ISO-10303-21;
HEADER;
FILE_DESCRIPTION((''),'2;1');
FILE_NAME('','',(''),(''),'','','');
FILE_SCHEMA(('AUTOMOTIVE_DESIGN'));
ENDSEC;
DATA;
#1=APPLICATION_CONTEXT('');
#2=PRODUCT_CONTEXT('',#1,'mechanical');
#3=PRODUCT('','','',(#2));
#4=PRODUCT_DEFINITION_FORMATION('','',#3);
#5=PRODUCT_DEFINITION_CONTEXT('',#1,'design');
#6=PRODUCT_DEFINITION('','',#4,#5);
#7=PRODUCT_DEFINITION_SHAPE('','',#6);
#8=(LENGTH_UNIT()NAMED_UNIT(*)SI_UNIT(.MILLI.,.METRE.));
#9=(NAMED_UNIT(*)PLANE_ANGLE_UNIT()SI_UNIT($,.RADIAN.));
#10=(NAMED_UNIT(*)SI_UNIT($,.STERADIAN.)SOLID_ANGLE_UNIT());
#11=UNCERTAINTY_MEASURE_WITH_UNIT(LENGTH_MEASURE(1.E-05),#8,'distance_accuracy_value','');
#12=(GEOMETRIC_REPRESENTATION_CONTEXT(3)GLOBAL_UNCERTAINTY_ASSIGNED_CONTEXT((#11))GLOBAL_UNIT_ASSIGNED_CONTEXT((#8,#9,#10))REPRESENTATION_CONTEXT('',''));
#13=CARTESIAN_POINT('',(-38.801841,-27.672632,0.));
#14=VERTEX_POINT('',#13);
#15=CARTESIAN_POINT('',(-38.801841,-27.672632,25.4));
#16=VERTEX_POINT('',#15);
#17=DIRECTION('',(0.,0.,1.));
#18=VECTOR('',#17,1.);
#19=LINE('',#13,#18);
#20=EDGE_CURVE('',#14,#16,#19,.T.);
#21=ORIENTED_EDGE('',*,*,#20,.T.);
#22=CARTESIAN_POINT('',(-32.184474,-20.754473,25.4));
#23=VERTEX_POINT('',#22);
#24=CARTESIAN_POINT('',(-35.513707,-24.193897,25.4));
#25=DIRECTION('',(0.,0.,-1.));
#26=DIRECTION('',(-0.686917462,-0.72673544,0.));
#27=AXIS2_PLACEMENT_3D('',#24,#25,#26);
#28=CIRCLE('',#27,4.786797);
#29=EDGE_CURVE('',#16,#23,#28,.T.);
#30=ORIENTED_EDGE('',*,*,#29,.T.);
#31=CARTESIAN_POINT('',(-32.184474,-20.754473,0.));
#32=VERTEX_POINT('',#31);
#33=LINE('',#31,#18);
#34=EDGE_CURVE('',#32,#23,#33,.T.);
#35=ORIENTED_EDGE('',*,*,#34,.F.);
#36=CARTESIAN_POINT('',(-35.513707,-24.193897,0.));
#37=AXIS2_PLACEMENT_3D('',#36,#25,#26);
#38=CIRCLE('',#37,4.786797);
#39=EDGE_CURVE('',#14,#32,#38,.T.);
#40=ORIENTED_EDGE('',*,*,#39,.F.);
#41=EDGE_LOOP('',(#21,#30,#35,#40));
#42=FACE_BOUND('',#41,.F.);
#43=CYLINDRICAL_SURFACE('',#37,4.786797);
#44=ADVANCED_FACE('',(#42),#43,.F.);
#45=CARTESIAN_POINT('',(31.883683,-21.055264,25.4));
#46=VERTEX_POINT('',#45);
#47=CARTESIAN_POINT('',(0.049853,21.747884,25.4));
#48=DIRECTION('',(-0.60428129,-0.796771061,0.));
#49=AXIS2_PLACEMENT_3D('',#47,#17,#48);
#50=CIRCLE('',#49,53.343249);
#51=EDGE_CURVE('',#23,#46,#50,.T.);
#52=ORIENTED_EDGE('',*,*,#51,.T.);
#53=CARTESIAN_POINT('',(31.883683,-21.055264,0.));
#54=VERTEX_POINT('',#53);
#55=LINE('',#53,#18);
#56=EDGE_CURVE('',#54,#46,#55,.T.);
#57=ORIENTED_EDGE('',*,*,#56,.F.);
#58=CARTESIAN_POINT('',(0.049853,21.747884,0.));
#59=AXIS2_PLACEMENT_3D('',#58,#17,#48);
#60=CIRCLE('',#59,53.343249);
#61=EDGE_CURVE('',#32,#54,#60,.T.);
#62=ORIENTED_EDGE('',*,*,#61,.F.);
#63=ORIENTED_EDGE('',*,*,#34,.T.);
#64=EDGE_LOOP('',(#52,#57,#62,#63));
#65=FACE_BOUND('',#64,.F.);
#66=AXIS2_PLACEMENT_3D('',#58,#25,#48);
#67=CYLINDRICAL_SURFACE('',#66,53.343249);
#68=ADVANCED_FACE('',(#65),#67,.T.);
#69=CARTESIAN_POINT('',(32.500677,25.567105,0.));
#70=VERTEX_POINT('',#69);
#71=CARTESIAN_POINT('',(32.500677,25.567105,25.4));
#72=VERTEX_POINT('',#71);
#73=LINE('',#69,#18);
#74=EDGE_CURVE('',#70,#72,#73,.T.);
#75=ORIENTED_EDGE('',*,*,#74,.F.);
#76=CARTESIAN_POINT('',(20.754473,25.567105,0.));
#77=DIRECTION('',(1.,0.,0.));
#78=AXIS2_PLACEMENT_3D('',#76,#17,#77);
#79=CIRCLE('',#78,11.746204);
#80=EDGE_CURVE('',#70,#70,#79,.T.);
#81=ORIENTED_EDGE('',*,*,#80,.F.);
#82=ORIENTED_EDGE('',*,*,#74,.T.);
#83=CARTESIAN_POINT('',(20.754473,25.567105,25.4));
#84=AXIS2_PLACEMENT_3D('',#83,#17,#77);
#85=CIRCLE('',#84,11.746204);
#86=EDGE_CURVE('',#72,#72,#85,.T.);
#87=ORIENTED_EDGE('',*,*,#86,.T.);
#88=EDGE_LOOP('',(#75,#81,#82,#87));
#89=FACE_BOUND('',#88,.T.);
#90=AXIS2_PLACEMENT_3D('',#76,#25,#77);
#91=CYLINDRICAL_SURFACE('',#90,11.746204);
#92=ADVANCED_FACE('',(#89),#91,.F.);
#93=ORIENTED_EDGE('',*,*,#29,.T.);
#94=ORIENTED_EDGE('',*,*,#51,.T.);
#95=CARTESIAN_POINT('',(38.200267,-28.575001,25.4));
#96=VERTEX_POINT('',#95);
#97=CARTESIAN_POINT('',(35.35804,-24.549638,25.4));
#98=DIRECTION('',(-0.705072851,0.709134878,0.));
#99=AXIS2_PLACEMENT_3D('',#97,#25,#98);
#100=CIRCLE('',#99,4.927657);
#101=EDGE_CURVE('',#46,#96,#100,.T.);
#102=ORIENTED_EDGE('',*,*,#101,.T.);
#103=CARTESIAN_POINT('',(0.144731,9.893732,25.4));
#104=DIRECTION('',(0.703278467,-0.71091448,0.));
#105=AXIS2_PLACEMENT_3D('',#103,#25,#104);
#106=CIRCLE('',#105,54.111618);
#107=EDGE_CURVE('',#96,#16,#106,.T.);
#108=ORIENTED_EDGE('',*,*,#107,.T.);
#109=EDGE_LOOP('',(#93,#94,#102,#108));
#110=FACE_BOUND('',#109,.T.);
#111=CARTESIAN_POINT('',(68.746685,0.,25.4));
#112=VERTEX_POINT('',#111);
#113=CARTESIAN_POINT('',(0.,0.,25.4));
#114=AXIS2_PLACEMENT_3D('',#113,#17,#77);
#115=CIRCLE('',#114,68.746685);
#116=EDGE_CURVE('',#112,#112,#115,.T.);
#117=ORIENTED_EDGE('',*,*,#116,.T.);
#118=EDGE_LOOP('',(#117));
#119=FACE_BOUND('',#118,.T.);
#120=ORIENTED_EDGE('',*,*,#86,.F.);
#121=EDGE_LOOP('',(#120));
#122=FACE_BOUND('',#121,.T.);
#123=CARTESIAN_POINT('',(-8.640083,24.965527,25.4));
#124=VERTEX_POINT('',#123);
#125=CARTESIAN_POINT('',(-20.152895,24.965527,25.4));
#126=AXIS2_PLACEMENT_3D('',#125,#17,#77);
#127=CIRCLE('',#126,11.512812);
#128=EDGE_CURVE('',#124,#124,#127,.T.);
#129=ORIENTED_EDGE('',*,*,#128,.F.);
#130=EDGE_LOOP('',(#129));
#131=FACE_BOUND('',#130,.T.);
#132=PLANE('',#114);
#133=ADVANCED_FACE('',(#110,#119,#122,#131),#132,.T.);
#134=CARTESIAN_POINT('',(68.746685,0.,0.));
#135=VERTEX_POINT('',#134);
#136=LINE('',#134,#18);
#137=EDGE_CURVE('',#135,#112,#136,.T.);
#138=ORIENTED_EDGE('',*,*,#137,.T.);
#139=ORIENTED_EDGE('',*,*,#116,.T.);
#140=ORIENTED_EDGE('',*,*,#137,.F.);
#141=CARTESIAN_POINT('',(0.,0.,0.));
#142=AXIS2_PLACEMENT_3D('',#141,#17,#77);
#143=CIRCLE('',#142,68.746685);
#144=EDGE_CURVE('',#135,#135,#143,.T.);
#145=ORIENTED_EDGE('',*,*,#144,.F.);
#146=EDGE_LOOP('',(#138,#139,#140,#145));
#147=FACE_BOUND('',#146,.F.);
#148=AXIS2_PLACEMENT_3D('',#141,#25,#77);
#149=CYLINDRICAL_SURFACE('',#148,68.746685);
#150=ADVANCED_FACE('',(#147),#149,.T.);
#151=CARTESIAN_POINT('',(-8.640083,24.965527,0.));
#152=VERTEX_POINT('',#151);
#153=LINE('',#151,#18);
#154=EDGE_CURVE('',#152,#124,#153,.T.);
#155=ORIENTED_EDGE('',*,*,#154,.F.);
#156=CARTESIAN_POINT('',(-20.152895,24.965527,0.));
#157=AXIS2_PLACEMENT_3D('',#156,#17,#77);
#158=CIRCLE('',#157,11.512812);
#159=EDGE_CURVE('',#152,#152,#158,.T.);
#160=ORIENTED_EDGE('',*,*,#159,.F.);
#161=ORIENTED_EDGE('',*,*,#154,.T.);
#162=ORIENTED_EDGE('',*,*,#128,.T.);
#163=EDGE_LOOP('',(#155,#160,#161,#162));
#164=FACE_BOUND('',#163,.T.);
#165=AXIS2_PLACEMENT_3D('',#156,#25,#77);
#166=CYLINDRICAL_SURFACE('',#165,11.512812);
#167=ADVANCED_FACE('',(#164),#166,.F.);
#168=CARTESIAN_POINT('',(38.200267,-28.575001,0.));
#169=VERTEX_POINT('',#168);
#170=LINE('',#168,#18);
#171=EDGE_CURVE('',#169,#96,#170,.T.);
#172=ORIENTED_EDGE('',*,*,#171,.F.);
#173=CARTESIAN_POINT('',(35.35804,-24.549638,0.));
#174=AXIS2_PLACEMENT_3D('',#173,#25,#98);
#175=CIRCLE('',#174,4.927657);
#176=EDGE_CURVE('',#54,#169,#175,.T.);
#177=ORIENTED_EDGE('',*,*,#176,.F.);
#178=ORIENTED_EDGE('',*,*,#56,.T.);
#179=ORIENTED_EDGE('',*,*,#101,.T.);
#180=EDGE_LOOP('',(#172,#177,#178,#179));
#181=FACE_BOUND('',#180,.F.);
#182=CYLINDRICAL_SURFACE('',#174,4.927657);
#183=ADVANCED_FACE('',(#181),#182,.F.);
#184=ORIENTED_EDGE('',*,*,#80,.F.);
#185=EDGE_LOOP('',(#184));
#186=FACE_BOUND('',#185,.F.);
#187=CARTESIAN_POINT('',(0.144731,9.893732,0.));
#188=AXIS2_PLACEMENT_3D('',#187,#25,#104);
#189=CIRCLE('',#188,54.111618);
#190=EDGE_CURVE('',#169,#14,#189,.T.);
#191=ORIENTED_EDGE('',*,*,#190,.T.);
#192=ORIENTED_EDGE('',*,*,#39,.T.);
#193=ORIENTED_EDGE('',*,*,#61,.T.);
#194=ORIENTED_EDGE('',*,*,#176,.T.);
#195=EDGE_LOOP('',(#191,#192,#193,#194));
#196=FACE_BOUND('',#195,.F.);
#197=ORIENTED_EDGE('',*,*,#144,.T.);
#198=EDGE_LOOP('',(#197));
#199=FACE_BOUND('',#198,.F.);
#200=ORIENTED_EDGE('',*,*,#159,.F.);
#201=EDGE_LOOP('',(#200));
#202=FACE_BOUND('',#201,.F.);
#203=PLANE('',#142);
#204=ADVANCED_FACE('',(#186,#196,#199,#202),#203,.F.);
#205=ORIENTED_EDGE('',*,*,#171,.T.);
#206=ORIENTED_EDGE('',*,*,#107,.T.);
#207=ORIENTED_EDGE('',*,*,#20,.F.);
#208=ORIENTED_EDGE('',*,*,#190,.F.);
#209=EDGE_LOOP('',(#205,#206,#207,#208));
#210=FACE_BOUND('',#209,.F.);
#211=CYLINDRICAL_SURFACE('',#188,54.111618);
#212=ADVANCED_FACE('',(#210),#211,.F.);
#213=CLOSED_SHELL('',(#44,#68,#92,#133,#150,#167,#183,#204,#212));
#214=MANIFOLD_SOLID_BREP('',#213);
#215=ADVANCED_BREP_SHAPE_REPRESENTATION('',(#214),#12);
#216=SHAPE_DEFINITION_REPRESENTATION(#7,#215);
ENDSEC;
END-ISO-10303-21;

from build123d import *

# Parameters (mm, degrees)
F0_R     = 68.746685
F0_R_2   = 11.512812
F0_R_3   = 11.746204
F1_DEPTH = 25.4


with BuildPart() as f1:
    # F0 (on Top) → F1 (new body)
    with BuildSketch(Plane.XY):
        Circle(F0_R)
        with BuildLine():
            ThreePointArc((38.200267, -28.575001), (-0.489346, -44.214171), (-38.801841, -27.672632))
            ThreePointArc((-38.801841, -27.672632), (-38.972847, -20.885155), (-32.184474, -20.754473))
            ThreePointArc((-32.184474, -20.754473), (-0.200583, -31.594777), (31.883683, -21.055264))
            ThreePointArc((31.883683, -21.055264), (39.13117, -21.380206), (38.200267, -28.575001))
        make_face(mode=Mode.SUBTRACT)
        with Locations((-20.152895, 24.965527)):
            Circle(F0_R_2, mode=Mode.SUBTRACT)
        with Locations((20.754473, 25.567105)):
            Circle(F0_R_3, mode=Mode.SUBTRACT)
    extrude(amount=F1_DEPTH)


solid = f1.part
